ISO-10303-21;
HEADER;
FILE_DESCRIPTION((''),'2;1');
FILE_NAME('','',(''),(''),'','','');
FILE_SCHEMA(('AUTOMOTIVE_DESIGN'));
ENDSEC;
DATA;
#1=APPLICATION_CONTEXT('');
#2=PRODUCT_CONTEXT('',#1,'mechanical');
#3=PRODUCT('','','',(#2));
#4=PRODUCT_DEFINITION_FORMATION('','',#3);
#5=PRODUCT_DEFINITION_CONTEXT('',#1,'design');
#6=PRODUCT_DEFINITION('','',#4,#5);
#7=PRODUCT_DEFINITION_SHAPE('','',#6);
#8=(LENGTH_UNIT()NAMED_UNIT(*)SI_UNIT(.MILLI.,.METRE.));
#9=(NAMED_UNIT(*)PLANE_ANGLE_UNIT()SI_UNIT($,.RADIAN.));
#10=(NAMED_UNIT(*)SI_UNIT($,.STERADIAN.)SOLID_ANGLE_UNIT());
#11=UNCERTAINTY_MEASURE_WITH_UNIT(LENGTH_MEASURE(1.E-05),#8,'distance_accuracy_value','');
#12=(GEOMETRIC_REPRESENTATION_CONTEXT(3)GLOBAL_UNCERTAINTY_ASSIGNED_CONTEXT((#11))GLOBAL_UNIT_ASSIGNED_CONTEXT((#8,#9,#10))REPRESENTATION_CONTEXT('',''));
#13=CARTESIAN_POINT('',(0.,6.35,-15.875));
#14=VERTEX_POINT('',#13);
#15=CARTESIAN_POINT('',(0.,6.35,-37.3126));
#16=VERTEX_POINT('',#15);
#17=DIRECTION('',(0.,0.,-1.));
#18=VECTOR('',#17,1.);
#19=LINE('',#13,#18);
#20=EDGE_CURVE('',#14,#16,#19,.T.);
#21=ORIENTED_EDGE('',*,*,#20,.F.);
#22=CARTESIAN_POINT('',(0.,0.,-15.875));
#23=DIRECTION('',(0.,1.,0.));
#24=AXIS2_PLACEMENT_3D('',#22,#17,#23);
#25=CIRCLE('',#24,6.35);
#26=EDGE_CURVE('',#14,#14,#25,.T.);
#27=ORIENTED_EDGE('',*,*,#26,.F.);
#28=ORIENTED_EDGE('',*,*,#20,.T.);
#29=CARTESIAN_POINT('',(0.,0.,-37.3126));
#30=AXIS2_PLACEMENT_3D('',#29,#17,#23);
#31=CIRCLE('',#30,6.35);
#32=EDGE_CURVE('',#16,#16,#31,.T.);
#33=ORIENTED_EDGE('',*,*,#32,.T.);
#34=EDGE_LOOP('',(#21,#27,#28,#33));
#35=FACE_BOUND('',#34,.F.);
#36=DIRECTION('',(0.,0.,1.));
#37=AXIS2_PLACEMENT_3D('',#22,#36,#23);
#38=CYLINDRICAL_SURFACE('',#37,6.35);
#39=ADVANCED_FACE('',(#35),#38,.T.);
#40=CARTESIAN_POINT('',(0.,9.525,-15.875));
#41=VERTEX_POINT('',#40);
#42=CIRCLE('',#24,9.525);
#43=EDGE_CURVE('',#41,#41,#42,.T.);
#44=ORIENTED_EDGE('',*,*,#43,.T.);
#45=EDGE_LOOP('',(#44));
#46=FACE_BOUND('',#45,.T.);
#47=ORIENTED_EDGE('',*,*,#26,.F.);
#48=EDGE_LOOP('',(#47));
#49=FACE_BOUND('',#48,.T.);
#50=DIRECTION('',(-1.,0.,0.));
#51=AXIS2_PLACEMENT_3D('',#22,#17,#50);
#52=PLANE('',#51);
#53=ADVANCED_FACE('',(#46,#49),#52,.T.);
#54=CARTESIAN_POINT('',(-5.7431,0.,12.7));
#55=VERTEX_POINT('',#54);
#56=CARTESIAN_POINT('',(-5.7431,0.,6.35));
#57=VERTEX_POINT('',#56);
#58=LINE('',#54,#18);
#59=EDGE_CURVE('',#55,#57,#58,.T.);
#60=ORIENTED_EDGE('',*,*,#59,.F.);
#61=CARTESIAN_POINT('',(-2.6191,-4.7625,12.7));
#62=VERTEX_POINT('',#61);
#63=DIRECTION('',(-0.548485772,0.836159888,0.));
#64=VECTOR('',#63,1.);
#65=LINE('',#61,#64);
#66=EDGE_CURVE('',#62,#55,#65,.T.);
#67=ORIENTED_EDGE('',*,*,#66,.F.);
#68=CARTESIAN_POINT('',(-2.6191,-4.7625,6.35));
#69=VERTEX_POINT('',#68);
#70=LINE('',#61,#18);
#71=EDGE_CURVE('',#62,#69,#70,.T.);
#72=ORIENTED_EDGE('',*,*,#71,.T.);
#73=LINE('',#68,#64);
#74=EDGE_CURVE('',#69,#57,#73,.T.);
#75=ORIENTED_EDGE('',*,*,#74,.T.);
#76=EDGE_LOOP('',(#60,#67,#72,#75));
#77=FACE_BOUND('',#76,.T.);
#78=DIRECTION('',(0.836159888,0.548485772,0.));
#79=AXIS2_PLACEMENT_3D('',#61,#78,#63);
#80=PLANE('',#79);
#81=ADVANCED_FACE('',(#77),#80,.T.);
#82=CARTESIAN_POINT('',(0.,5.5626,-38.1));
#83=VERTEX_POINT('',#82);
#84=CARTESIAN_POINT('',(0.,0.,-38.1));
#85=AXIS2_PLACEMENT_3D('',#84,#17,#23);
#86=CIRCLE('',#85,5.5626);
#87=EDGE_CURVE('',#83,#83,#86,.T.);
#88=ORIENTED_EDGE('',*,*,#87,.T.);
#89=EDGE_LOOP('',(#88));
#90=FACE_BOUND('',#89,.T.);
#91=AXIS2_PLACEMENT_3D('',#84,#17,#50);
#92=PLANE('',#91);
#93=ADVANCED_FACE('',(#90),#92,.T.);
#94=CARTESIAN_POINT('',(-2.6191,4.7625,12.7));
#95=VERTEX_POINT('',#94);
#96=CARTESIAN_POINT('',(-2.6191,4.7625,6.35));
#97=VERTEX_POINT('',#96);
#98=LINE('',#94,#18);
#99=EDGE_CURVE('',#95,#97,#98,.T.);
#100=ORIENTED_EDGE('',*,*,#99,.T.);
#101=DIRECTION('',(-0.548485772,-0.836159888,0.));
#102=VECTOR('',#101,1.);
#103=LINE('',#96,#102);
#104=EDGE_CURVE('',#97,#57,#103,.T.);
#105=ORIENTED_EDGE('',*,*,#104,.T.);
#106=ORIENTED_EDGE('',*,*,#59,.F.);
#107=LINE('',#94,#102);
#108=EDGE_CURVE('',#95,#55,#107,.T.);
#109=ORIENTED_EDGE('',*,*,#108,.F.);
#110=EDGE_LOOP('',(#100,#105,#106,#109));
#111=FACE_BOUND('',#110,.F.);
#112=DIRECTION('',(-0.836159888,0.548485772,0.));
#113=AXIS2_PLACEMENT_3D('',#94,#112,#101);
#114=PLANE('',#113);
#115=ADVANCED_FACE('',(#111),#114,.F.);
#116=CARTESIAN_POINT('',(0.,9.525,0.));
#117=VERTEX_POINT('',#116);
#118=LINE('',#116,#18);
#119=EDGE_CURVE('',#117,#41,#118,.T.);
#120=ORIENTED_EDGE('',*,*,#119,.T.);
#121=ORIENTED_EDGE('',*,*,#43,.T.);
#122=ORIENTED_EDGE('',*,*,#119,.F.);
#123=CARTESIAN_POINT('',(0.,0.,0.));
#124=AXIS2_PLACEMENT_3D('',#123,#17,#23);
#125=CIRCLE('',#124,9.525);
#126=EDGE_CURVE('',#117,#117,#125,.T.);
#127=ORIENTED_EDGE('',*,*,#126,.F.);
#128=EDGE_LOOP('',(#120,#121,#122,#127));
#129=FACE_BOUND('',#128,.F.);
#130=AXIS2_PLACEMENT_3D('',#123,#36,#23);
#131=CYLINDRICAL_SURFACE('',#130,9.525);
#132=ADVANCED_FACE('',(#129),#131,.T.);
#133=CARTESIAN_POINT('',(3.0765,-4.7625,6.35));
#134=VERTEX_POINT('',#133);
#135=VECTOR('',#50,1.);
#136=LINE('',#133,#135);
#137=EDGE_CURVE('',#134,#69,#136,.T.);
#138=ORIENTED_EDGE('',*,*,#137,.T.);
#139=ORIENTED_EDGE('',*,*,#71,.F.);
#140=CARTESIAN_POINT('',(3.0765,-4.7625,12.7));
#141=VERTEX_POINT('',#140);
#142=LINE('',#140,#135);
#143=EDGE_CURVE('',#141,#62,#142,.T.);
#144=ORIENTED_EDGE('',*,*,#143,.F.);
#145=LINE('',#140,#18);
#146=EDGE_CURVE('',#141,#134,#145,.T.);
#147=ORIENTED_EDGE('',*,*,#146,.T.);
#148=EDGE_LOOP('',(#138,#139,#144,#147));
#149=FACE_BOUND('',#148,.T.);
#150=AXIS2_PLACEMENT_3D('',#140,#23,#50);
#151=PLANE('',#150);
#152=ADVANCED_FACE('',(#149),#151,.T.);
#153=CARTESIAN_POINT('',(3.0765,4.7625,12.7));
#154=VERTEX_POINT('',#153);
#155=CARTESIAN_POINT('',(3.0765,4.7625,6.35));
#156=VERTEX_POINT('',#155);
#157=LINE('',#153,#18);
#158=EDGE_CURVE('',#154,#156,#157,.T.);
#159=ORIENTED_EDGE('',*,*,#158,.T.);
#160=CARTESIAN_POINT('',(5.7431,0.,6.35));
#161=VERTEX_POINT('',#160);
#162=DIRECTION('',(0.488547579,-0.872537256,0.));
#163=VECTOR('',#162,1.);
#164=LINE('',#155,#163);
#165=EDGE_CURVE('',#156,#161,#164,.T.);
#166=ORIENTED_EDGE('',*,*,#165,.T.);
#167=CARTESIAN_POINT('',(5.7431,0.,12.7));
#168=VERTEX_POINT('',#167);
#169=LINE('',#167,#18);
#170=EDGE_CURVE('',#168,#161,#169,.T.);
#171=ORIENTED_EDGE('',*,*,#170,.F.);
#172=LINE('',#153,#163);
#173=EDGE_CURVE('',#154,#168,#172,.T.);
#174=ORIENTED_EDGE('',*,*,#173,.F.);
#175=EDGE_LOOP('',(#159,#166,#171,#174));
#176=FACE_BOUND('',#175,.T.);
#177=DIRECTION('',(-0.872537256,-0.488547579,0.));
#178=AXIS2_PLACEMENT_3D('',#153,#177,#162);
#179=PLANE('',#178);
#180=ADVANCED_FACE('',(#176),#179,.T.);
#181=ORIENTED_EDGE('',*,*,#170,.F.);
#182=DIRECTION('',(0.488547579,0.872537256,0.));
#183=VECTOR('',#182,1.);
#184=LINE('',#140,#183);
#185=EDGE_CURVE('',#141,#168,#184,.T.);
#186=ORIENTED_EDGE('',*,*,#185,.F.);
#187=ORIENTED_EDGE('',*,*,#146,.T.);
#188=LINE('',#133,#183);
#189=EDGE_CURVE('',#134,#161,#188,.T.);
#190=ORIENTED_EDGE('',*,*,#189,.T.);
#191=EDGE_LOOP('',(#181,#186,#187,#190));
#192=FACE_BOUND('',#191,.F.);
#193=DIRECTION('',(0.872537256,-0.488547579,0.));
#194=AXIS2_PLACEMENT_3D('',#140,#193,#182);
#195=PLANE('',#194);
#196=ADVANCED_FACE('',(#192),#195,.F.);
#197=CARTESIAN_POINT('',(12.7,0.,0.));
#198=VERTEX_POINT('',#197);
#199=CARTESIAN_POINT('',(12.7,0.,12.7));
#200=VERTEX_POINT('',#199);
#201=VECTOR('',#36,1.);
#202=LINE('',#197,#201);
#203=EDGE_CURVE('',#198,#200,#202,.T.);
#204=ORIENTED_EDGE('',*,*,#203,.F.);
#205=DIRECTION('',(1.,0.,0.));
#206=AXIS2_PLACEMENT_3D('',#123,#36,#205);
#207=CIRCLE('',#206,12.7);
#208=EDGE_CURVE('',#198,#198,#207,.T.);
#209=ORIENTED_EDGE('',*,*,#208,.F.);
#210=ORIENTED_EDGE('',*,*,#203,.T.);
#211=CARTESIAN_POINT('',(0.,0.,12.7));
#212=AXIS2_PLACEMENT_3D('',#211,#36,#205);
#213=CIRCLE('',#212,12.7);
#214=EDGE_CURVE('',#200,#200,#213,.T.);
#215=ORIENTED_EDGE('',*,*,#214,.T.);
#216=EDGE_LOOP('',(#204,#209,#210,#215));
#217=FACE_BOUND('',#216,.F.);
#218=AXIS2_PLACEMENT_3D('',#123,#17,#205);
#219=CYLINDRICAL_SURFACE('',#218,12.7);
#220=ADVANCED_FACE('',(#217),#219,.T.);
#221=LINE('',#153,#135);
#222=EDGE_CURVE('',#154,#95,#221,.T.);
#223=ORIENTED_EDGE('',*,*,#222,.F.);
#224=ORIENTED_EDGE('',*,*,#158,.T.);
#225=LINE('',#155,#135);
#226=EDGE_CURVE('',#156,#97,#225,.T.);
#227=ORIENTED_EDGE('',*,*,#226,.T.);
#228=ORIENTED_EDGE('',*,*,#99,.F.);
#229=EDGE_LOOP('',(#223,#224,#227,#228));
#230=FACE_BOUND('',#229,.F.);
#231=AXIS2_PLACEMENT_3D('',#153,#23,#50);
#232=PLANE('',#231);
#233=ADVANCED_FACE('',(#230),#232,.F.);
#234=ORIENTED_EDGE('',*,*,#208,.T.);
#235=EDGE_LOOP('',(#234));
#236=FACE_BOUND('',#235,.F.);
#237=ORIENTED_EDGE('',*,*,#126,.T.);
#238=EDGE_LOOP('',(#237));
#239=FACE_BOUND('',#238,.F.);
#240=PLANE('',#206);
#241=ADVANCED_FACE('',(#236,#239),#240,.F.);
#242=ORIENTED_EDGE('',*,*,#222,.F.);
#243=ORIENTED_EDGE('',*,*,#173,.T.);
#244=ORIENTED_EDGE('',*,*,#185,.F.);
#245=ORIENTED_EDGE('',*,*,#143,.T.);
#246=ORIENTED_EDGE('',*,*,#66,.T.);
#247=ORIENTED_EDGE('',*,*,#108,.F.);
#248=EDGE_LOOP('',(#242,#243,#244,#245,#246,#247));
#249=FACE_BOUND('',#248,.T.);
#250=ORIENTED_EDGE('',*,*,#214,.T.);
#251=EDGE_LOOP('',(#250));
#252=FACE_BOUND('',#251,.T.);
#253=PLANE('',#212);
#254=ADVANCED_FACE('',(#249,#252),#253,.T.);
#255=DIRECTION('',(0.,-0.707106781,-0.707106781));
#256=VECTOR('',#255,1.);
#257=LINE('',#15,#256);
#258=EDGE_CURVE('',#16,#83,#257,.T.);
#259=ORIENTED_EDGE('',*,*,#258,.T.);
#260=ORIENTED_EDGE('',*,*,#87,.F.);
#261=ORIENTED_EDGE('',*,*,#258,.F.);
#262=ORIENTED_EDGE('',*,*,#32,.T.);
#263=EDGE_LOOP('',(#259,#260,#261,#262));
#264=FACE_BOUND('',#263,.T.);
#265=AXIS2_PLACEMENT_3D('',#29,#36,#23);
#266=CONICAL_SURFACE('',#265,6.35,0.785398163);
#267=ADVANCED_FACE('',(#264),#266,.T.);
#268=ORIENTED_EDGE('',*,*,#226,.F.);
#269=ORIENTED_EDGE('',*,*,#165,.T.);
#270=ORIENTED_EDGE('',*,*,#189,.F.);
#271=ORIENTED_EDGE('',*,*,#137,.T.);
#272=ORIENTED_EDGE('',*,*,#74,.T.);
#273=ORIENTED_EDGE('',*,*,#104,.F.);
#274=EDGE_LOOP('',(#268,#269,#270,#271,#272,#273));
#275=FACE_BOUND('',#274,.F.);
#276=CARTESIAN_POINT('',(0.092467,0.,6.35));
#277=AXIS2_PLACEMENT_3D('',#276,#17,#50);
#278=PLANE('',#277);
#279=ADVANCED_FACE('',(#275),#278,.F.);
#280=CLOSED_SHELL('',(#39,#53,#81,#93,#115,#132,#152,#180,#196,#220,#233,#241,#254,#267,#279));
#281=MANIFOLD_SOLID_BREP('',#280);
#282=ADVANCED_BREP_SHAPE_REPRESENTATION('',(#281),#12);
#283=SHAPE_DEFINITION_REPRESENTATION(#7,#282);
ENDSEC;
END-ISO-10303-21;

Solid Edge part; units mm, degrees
sketch "Sketch1" plane through (0, 0, 0) normal (0, 0, 1) x (1, 0, 0)
  circle A0 centre (0, 0) radius 12.7
  dimension "D1" = 25.4
extrude "Protrusion1" add sketch "Sketch1" along normal blind 12.7
sketch "Sketch2" plane through (0, 0, 0) normal (0, 0, -1) x (0, 1, 0)
  circle A0 centre (0, 0) radius 9.525
  dimension "D1" = 19.05
extrude "Protrusion2" add sketch "Sketch2" along normal blind 15.875
sketch "Sketch3" plane through (0, 0, -15.875) normal (0, 0, -1) x (0, 1, 0)
  circle A0 centre (0, 0) radius 6.35
  dimension "D1" = 12.7
extrude "Protrusion3" add sketch "Sketch3" along normal blind 22.225
sketch "Sketch4" plane through (0, 0, 12.7) normal (0, 0, 1) x (0, 1, 0)
  line L0 (-4.7625, 2.6191) -> (0, 5.7431)
  line L1 (-4.7625, -3.0765) -> (-4.7625, 2.6191)
  line L2 (-4.7625, -3.0765) -> (0, -5.7431)
  line L3 (4.7625, -3.0765) -> (0, -5.7431)
  line L4 (4.7625, -3.0765) -> (4.7625, 2.6191)
  line L5 (4.7625, 2.6191) -> (0, 5.7431)
  dimension "D1" = 9.525
extrude "Cutout1" cut sketch "Sketch4" against normal blind 6.35
chamfer "Chamfer1" distance 0.7874 angle 45 1 edges at (0, -6.35, -38.1)
properties part number "107760"
